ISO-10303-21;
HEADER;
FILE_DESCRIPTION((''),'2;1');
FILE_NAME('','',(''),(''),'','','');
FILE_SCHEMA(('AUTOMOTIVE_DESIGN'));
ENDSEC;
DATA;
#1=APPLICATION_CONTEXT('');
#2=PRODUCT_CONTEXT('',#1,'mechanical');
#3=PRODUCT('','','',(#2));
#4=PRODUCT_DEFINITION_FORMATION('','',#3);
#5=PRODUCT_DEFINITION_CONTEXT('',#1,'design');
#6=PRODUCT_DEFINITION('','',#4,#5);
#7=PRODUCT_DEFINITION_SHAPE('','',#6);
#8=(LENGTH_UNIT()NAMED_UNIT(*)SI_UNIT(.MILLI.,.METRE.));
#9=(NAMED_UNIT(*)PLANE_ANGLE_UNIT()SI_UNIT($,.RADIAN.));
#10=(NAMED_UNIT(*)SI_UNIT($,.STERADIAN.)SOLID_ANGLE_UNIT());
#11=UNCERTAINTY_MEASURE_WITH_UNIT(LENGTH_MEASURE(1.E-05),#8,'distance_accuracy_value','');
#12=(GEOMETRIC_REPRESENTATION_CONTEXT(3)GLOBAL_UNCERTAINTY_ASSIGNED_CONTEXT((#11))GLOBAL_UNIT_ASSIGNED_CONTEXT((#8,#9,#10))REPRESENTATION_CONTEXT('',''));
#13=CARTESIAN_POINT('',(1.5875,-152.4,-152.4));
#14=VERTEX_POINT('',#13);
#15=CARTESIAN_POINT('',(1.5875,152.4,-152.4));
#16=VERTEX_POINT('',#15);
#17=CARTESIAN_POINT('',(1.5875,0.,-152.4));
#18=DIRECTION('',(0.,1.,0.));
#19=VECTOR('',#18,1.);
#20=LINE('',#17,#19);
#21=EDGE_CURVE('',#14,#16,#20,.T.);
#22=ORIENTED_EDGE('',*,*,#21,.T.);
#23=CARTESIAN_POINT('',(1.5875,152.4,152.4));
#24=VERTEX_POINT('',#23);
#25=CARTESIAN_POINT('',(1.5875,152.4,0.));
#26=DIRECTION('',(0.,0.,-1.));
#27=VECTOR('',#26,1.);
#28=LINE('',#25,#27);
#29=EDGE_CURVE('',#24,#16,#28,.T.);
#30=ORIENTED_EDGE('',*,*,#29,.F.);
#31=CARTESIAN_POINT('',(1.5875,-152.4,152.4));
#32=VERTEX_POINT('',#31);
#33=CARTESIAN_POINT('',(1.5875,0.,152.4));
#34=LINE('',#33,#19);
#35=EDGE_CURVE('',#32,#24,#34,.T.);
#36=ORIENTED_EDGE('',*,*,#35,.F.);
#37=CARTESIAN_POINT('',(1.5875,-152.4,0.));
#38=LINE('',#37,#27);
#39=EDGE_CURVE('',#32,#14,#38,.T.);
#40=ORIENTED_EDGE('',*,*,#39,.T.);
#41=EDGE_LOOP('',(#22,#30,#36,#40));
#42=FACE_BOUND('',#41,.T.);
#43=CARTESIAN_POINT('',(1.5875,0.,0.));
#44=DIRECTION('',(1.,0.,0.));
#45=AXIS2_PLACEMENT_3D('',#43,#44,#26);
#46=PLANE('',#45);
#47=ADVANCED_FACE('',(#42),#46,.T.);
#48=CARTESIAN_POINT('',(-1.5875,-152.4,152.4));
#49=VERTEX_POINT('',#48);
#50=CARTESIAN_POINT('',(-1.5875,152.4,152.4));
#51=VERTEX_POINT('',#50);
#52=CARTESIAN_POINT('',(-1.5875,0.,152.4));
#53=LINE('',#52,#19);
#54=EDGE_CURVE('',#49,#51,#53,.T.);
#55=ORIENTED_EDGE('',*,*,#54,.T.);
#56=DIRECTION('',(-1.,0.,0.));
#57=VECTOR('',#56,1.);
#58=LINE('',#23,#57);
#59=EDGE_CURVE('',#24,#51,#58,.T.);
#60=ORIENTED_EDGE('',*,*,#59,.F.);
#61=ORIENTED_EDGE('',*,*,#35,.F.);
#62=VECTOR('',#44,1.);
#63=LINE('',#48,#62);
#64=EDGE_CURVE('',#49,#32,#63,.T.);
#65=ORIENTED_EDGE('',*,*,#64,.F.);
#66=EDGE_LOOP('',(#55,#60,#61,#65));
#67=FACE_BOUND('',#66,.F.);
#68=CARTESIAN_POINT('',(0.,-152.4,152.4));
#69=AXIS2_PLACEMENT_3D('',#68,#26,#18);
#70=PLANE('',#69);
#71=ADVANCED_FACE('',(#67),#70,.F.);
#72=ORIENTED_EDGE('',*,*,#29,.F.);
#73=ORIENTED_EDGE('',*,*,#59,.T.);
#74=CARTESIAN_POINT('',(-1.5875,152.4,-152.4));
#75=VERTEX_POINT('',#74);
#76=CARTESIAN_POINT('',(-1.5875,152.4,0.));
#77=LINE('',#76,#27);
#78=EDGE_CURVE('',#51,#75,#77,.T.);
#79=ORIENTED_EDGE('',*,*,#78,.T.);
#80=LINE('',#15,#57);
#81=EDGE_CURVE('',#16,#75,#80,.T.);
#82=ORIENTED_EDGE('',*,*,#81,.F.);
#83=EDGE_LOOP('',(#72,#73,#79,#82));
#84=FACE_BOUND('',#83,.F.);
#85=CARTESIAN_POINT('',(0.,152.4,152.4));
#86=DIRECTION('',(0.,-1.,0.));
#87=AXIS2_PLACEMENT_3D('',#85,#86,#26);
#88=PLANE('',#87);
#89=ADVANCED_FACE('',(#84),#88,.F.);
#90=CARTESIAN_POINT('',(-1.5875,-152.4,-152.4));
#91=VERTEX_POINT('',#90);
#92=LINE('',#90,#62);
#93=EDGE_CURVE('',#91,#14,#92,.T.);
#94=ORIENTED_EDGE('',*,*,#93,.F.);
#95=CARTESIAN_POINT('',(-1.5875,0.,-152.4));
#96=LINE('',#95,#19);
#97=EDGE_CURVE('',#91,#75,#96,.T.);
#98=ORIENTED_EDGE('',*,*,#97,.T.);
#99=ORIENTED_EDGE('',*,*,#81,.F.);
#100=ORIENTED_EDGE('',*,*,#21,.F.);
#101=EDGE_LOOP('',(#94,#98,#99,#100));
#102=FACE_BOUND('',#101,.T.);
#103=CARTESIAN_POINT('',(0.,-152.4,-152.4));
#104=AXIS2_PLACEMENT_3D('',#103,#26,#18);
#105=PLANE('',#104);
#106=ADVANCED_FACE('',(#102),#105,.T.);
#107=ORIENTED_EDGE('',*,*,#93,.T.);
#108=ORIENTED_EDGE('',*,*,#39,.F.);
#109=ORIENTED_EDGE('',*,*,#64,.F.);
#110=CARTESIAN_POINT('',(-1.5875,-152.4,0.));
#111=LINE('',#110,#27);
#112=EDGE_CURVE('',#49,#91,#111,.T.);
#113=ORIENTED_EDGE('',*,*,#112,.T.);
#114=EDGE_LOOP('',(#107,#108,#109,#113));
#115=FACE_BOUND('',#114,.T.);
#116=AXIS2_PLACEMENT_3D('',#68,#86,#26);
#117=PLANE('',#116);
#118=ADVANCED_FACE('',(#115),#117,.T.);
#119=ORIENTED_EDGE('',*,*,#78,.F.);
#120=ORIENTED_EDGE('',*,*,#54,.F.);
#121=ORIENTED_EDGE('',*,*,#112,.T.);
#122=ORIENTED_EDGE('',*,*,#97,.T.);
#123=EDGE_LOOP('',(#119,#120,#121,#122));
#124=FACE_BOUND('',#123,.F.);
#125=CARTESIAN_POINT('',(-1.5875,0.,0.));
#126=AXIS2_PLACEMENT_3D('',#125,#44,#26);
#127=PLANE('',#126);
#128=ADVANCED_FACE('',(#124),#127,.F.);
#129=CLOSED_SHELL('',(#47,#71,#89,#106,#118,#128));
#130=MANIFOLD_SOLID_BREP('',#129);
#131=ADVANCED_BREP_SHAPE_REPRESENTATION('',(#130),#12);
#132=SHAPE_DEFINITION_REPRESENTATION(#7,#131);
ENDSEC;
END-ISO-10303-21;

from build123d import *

# Parameters (mm, degrees)
SKETCH1_W           = 304.8
SKETCH1_H           = 304.8
BOSS_EXTRUDE1_DEPTH = 1.5875


with BuildPart() as part:
    # Sketch1 → Boss-Extrude1 (new body, symmetric)
    with BuildSketch(Plane(origin=(0, 0, 0), x_dir=(0, 0, -1), z_dir=(1, 0, 0))):
        Rectangle(SKETCH1_W, SKETCH1_H)
    extrude(amount=BOSS_EXTRUDE1_DEPTH, both=True)


solid = part.part
